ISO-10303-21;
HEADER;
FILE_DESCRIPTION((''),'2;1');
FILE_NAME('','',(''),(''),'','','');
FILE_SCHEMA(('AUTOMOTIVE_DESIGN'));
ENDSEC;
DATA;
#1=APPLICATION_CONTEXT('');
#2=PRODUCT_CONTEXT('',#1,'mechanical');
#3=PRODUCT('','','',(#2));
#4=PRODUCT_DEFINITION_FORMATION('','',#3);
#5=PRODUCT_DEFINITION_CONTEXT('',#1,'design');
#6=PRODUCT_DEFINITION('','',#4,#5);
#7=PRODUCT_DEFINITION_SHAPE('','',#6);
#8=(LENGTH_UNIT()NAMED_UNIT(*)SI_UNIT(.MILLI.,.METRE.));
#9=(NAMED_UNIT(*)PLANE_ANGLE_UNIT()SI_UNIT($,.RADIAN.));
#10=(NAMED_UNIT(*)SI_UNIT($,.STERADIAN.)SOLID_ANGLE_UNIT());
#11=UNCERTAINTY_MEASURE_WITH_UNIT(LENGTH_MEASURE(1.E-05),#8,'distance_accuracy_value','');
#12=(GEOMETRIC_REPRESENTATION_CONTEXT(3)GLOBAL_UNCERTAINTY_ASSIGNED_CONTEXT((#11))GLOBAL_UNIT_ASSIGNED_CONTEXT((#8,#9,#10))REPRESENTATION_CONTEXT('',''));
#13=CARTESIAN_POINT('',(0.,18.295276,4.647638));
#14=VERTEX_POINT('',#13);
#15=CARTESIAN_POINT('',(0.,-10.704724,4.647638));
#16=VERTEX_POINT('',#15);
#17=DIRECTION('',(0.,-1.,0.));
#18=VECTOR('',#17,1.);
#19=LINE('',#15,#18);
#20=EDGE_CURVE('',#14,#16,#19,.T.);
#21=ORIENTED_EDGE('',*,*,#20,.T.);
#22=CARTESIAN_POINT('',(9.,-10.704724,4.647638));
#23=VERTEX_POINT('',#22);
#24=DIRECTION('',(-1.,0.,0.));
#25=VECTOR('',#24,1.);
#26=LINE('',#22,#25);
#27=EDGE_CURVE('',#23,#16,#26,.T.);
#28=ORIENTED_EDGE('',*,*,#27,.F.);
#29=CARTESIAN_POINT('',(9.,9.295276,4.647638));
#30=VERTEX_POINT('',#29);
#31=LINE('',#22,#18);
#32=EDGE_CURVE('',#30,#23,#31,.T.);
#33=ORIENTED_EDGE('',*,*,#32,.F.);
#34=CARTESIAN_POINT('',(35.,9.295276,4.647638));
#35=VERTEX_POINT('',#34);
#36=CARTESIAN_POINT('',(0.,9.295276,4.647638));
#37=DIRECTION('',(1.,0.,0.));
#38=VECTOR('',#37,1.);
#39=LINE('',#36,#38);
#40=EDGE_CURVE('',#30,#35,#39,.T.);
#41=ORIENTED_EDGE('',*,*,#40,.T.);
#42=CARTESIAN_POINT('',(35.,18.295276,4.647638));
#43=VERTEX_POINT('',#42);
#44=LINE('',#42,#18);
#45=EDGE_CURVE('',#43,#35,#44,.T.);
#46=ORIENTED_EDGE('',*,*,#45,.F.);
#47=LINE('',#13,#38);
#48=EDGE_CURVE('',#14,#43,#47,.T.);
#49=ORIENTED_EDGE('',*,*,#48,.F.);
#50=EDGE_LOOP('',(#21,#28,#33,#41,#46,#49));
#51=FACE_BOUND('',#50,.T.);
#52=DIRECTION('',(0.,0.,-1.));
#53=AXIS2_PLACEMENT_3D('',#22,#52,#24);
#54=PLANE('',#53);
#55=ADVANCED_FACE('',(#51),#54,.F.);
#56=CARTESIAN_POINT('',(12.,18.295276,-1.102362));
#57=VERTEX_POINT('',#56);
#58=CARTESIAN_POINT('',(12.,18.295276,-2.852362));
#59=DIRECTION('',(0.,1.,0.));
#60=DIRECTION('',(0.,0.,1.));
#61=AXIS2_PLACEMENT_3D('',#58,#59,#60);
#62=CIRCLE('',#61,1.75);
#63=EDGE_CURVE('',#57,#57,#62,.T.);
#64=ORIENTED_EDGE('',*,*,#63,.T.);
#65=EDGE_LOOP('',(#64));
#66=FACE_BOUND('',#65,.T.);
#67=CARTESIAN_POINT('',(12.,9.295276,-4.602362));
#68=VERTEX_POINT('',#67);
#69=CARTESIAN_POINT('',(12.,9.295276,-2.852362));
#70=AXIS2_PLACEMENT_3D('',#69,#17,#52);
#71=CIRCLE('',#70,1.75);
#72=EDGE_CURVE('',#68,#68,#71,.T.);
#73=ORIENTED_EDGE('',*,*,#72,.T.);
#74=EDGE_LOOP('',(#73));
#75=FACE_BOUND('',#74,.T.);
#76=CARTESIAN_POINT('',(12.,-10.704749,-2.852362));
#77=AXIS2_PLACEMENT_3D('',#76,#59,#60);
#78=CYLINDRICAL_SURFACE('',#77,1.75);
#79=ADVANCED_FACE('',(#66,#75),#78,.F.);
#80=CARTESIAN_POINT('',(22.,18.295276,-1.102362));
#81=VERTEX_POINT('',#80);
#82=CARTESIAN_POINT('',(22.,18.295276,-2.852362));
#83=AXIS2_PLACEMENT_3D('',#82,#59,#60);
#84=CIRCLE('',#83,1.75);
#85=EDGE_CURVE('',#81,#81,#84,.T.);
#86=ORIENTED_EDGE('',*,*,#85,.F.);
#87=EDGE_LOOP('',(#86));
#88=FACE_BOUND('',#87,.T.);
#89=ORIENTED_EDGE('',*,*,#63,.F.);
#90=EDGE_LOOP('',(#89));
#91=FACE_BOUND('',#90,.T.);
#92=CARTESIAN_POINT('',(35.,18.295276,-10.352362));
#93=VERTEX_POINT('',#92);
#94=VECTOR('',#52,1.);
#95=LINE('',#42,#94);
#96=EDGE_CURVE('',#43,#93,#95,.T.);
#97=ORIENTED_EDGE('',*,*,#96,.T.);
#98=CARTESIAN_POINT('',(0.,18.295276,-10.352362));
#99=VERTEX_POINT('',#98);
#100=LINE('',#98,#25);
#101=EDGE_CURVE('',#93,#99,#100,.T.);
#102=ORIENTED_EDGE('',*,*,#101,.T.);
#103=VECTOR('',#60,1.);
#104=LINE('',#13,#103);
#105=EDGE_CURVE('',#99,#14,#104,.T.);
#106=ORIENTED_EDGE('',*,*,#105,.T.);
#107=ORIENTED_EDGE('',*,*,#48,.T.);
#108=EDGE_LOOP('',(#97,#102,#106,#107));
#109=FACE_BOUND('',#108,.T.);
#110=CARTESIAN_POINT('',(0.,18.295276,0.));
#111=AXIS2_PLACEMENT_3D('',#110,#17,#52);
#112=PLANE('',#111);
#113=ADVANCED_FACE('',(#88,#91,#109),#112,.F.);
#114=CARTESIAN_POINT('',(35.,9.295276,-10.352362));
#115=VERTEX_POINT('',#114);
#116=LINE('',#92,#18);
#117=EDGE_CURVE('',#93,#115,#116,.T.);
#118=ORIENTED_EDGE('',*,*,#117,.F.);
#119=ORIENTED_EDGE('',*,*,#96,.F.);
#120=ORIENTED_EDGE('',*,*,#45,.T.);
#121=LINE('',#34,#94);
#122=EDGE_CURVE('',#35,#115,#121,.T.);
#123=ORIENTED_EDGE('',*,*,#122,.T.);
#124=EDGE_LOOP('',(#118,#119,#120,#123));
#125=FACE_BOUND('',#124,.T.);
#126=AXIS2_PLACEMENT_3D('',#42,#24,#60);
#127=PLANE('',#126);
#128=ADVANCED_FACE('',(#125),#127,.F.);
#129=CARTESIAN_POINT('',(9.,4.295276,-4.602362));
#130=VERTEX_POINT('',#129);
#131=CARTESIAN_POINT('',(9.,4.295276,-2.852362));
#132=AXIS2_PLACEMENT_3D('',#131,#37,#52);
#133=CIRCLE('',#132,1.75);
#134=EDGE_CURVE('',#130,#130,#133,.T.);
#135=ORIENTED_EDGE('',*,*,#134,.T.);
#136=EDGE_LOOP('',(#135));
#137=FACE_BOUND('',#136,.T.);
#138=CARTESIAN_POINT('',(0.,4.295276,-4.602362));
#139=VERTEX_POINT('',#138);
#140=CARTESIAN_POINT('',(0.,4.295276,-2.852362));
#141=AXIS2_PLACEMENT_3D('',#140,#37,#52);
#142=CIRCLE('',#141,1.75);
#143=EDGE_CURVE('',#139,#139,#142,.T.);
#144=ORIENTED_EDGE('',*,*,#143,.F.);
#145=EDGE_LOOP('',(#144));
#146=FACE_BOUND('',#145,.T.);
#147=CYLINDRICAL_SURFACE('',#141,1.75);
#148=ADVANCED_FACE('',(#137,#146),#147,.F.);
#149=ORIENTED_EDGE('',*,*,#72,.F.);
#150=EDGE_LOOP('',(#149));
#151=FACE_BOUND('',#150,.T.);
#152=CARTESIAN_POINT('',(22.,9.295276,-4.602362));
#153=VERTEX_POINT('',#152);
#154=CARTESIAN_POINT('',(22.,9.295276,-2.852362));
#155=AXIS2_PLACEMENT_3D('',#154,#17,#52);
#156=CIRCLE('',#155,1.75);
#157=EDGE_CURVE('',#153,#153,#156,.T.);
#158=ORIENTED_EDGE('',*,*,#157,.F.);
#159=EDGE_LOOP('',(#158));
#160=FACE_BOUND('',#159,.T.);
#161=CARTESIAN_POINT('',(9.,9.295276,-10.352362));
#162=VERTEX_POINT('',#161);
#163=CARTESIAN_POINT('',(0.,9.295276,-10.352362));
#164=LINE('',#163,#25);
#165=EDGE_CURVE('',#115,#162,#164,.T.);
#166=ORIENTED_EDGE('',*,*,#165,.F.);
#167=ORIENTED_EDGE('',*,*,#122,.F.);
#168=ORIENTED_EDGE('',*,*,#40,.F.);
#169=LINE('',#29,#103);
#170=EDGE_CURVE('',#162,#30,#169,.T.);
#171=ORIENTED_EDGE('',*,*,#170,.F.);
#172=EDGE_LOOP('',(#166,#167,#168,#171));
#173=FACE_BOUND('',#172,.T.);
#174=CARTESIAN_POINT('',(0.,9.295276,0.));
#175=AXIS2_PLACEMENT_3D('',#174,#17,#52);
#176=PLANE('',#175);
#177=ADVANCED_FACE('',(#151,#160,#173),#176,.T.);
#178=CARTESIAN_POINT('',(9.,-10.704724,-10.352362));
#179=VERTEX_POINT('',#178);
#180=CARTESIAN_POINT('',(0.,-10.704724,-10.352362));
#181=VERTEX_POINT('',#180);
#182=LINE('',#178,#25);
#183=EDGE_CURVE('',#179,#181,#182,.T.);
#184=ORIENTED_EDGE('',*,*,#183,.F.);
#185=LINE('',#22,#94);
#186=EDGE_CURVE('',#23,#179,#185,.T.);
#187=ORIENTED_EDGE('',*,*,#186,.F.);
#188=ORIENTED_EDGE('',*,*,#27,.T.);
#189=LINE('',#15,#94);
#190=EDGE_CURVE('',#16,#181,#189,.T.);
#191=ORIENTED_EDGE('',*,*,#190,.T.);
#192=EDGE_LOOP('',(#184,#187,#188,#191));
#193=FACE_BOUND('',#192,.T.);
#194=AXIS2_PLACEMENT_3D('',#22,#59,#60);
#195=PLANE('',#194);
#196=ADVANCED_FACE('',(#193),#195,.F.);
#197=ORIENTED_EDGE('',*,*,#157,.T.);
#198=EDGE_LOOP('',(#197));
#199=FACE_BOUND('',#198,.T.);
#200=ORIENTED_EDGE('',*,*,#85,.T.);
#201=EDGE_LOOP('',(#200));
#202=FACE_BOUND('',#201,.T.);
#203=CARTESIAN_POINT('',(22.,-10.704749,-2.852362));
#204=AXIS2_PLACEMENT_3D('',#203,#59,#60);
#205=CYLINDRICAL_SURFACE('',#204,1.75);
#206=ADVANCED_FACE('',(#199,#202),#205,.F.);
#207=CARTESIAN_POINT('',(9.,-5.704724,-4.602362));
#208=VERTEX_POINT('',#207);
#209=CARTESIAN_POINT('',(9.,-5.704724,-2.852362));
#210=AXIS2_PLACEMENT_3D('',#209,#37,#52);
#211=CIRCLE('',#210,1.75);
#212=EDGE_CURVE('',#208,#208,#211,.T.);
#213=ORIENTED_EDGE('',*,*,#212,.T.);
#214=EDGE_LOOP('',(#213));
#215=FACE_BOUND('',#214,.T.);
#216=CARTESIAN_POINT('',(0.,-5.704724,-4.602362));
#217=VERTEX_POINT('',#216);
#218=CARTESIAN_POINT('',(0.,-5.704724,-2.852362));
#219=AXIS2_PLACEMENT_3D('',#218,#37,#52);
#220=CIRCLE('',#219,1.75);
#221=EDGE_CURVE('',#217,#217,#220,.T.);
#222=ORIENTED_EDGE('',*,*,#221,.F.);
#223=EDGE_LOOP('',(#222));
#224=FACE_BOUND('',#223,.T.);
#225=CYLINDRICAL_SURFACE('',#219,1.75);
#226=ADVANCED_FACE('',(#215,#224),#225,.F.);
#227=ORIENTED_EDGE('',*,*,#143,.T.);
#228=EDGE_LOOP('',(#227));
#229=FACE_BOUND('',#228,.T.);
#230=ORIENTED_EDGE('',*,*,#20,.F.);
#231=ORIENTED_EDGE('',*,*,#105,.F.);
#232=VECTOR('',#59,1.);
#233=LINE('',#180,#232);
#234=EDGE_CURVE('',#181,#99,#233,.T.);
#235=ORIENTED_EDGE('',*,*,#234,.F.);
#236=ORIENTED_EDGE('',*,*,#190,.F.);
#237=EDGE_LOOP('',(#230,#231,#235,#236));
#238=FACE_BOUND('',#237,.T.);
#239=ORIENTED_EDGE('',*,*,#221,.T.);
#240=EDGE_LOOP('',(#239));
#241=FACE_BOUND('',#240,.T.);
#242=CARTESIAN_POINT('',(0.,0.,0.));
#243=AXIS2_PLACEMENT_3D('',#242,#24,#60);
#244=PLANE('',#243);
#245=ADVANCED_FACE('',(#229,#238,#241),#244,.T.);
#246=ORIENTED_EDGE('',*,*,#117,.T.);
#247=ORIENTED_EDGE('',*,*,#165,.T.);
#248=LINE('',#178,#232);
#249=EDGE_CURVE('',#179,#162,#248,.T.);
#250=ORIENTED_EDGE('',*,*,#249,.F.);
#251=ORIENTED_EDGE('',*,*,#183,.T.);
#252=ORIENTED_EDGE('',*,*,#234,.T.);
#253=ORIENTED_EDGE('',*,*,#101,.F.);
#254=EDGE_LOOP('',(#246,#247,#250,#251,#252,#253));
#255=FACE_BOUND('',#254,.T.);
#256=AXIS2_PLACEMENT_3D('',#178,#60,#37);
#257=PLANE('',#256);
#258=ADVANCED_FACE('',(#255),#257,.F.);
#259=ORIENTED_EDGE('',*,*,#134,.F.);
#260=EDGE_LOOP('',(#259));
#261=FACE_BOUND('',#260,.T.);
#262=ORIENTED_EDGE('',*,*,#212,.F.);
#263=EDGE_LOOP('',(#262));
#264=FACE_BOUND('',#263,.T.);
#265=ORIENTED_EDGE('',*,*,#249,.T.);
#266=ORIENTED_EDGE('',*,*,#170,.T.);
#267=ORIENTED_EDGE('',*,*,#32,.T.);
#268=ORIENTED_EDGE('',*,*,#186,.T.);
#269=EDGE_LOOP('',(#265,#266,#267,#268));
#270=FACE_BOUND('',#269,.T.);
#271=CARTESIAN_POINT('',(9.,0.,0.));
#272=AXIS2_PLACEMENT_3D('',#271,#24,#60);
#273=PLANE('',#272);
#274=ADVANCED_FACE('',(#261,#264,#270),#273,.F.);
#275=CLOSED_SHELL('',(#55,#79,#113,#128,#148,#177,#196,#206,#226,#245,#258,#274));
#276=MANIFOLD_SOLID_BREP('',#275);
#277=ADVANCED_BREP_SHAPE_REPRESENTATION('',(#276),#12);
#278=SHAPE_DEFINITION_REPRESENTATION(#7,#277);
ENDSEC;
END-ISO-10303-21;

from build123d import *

# Parameters (mm, degrees)
SKETCH2_W           = 15
SKETCH2_H           = 20
BOSS_EXTRUDE1_DEPTH = 9
SKETCH3_R           = 1.75
CUT_EXTRUDE1_DEPTH  = 18.400072003
SKETCH4_W           = 35
SKETCH4_H           = 15
BOSS_EXTRUDE2_DEPTH = 9
SKETCH5_R           = 1.75
CUT_EXTRUDE2_DEPTH  = 47.61728645


with BuildPart() as part:
    # Sketch2 → Boss-Extrude1 (new body)
    with BuildSketch(Plane(origin=(0, 0, 0), x_dir=(0, 0, -1), z_dir=(1, 0, 0))):
        with Locations((2.852361856, -0.704723711)):
            Rectangle(SKETCH2_W, SKETCH2_H)
    extrude(amount=BOSS_EXTRUDE1_DEPTH)

    # Sketch3 → Cut-Extrude1 (cut, through all)
    with BuildSketch(Plane(origin=(9, 0, 0), x_dir=(0, 0, -1), z_dir=(1, 0, 0))):
        with Locations((2.852361856, -5.704723711)):
            Circle(SKETCH3_R)
        with Locations((2.852361856, 4.295276289)):
            Circle(SKETCH3_R)
    extrude(amount=-CUT_EXTRUDE1_DEPTH, mode=Mode.SUBTRACT)

    # Sketch4 → Boss-Extrude2 (add)
    with BuildSketch(Plane(origin=(0, 9.295276289, 0), x_dir=(1, 0, 0), z_dir=(0, 1, 0))):
        with Locations((17.5, 2.852361856)):
            Rectangle(SKETCH4_W, SKETCH4_H)
    extrude(amount=BOSS_EXTRUDE2_DEPTH)

    # Sketch5 → Cut-Extrude2 (cut, through all)
    with BuildSketch(Plane(origin=(0, 18.295276289, 0), x_dir=(1, 0, 0), z_dir=(0, 1, 0))):
        with Locations(Location((12, 2.852361856, 0), (0, 0, 270))):
            Circle(SKETCH5_R)
        with Locations(Location((22, 2.852361856, 0), (0, 0, 270))):
            Circle(SKETCH5_R)
    extrude(amount=-CUT_EXTRUDE2_DEPTH, mode=Mode.SUBTRACT)


solid = part.part
